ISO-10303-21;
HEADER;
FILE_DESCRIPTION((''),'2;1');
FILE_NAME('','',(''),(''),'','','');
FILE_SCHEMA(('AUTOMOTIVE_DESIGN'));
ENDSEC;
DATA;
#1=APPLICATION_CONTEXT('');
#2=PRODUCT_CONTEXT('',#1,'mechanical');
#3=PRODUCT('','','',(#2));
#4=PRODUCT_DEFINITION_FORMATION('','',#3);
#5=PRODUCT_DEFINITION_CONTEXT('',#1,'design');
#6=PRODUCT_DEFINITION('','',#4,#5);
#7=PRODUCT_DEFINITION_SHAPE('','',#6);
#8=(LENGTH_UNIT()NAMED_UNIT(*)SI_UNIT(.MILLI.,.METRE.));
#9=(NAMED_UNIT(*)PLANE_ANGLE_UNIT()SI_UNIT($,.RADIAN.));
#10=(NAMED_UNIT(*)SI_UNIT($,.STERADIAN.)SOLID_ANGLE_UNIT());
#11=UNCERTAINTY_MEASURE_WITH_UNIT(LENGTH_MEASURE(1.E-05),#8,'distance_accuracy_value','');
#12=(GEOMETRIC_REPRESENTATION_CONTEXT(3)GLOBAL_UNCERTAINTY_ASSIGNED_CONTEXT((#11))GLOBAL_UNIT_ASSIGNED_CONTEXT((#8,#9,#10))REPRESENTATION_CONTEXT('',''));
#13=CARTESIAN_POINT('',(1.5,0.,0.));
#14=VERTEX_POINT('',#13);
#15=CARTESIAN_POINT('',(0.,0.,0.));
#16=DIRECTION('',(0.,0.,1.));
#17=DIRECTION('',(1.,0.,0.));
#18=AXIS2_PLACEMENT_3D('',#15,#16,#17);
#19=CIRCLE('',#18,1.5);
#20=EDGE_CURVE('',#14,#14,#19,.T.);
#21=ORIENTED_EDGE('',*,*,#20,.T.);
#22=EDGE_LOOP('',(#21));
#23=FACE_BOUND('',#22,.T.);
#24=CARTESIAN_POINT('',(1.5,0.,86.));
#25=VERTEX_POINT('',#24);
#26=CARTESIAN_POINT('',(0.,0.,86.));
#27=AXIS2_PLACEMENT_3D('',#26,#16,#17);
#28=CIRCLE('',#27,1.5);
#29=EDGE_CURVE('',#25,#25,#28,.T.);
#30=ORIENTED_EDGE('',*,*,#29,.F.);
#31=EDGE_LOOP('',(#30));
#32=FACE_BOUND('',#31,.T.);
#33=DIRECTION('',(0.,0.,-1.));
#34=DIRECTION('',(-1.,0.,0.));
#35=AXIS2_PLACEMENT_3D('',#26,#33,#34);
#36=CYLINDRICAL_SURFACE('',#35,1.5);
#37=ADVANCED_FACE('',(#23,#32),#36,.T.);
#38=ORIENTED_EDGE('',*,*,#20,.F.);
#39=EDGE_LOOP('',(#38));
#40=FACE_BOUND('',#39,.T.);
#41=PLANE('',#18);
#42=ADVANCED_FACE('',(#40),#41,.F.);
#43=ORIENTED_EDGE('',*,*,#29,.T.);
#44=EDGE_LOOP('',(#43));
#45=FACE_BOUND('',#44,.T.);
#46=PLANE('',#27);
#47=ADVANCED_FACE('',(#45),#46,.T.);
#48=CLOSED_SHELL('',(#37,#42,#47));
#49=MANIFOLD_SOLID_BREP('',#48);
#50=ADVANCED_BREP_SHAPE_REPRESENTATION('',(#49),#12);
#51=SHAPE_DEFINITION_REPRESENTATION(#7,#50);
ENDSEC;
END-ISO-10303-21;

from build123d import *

# Parameters (mm, degrees)
SKETCH_1_R      = 1.5
EXTRUDE_1_DEPTH = 86


with BuildPart() as part:
    # Эскиз1 → Бобышка-Вытянуть1 (new body)
    with BuildSketch(Plane.XY):
        Circle(SKETCH_1_R)
    extrude(amount=EXTRUDE_1_DEPTH)


solid = part.part
